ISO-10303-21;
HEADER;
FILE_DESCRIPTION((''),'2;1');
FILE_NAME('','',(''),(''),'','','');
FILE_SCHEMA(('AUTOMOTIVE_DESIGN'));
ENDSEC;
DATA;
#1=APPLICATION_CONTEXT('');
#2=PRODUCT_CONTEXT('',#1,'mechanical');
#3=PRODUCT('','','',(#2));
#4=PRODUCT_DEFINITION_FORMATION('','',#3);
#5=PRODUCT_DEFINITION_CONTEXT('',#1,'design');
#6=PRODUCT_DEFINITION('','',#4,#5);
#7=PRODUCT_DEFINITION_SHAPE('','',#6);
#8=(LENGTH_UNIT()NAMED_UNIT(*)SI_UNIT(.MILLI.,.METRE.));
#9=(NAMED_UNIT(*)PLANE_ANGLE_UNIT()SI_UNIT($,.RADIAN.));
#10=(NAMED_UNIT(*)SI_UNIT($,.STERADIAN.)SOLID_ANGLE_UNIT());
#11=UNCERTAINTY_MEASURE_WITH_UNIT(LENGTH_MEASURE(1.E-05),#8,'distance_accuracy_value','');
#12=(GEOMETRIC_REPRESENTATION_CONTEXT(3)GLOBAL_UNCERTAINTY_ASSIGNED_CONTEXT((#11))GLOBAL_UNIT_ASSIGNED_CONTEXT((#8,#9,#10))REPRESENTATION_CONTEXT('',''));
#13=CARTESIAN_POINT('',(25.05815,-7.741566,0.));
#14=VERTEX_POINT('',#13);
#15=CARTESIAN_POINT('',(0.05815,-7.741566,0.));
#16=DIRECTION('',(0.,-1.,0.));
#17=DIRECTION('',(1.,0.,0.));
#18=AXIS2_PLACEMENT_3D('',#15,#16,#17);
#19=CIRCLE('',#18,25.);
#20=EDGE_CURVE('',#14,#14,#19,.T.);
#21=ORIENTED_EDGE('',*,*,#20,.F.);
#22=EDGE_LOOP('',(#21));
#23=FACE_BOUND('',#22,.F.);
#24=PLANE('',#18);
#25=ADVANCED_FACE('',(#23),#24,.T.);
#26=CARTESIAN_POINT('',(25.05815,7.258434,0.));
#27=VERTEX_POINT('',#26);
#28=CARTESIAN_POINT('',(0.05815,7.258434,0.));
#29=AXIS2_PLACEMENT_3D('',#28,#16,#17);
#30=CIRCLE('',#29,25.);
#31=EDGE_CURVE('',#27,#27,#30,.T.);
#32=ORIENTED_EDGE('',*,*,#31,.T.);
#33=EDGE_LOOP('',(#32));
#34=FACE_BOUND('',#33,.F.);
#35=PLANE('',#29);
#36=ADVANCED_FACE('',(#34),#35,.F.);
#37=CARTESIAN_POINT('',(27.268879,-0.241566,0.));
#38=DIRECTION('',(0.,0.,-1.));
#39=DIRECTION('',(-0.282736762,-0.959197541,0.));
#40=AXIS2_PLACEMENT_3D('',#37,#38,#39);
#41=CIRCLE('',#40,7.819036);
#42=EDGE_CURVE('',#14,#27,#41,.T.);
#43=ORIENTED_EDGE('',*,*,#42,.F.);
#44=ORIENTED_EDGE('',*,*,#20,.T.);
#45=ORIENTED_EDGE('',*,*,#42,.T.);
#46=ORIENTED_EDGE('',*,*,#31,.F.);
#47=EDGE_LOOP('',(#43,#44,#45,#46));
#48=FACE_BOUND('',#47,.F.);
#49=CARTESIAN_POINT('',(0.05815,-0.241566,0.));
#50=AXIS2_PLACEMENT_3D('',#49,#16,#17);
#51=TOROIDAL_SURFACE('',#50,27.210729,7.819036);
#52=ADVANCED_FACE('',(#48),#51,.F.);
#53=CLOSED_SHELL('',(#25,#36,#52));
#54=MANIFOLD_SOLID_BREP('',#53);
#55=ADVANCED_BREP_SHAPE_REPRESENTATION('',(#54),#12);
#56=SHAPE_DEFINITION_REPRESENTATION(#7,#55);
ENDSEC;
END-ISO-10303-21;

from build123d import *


with BuildPart() as f1:
    # F0 (on Top) → F1 (revolve)
    with BuildSketch(Plane.XY):
        with BuildLine():
            Line((25.05815, 7.258434), (0.05815, 7.258434))
            Line((0.05815, 7.258434), (0.05815, -7.741566))
            Line((0.05815, -7.741566), (25.05815, -7.741566))
            ThreePointArc((25.05815, -7.741566), (19.449843, -0.241566), (25.05815, 7.258434))
        make_face()
    revolve(axis=Axis((0.05815, -0.241566, 0), (0, -1, 0)))


solid = f1.part
